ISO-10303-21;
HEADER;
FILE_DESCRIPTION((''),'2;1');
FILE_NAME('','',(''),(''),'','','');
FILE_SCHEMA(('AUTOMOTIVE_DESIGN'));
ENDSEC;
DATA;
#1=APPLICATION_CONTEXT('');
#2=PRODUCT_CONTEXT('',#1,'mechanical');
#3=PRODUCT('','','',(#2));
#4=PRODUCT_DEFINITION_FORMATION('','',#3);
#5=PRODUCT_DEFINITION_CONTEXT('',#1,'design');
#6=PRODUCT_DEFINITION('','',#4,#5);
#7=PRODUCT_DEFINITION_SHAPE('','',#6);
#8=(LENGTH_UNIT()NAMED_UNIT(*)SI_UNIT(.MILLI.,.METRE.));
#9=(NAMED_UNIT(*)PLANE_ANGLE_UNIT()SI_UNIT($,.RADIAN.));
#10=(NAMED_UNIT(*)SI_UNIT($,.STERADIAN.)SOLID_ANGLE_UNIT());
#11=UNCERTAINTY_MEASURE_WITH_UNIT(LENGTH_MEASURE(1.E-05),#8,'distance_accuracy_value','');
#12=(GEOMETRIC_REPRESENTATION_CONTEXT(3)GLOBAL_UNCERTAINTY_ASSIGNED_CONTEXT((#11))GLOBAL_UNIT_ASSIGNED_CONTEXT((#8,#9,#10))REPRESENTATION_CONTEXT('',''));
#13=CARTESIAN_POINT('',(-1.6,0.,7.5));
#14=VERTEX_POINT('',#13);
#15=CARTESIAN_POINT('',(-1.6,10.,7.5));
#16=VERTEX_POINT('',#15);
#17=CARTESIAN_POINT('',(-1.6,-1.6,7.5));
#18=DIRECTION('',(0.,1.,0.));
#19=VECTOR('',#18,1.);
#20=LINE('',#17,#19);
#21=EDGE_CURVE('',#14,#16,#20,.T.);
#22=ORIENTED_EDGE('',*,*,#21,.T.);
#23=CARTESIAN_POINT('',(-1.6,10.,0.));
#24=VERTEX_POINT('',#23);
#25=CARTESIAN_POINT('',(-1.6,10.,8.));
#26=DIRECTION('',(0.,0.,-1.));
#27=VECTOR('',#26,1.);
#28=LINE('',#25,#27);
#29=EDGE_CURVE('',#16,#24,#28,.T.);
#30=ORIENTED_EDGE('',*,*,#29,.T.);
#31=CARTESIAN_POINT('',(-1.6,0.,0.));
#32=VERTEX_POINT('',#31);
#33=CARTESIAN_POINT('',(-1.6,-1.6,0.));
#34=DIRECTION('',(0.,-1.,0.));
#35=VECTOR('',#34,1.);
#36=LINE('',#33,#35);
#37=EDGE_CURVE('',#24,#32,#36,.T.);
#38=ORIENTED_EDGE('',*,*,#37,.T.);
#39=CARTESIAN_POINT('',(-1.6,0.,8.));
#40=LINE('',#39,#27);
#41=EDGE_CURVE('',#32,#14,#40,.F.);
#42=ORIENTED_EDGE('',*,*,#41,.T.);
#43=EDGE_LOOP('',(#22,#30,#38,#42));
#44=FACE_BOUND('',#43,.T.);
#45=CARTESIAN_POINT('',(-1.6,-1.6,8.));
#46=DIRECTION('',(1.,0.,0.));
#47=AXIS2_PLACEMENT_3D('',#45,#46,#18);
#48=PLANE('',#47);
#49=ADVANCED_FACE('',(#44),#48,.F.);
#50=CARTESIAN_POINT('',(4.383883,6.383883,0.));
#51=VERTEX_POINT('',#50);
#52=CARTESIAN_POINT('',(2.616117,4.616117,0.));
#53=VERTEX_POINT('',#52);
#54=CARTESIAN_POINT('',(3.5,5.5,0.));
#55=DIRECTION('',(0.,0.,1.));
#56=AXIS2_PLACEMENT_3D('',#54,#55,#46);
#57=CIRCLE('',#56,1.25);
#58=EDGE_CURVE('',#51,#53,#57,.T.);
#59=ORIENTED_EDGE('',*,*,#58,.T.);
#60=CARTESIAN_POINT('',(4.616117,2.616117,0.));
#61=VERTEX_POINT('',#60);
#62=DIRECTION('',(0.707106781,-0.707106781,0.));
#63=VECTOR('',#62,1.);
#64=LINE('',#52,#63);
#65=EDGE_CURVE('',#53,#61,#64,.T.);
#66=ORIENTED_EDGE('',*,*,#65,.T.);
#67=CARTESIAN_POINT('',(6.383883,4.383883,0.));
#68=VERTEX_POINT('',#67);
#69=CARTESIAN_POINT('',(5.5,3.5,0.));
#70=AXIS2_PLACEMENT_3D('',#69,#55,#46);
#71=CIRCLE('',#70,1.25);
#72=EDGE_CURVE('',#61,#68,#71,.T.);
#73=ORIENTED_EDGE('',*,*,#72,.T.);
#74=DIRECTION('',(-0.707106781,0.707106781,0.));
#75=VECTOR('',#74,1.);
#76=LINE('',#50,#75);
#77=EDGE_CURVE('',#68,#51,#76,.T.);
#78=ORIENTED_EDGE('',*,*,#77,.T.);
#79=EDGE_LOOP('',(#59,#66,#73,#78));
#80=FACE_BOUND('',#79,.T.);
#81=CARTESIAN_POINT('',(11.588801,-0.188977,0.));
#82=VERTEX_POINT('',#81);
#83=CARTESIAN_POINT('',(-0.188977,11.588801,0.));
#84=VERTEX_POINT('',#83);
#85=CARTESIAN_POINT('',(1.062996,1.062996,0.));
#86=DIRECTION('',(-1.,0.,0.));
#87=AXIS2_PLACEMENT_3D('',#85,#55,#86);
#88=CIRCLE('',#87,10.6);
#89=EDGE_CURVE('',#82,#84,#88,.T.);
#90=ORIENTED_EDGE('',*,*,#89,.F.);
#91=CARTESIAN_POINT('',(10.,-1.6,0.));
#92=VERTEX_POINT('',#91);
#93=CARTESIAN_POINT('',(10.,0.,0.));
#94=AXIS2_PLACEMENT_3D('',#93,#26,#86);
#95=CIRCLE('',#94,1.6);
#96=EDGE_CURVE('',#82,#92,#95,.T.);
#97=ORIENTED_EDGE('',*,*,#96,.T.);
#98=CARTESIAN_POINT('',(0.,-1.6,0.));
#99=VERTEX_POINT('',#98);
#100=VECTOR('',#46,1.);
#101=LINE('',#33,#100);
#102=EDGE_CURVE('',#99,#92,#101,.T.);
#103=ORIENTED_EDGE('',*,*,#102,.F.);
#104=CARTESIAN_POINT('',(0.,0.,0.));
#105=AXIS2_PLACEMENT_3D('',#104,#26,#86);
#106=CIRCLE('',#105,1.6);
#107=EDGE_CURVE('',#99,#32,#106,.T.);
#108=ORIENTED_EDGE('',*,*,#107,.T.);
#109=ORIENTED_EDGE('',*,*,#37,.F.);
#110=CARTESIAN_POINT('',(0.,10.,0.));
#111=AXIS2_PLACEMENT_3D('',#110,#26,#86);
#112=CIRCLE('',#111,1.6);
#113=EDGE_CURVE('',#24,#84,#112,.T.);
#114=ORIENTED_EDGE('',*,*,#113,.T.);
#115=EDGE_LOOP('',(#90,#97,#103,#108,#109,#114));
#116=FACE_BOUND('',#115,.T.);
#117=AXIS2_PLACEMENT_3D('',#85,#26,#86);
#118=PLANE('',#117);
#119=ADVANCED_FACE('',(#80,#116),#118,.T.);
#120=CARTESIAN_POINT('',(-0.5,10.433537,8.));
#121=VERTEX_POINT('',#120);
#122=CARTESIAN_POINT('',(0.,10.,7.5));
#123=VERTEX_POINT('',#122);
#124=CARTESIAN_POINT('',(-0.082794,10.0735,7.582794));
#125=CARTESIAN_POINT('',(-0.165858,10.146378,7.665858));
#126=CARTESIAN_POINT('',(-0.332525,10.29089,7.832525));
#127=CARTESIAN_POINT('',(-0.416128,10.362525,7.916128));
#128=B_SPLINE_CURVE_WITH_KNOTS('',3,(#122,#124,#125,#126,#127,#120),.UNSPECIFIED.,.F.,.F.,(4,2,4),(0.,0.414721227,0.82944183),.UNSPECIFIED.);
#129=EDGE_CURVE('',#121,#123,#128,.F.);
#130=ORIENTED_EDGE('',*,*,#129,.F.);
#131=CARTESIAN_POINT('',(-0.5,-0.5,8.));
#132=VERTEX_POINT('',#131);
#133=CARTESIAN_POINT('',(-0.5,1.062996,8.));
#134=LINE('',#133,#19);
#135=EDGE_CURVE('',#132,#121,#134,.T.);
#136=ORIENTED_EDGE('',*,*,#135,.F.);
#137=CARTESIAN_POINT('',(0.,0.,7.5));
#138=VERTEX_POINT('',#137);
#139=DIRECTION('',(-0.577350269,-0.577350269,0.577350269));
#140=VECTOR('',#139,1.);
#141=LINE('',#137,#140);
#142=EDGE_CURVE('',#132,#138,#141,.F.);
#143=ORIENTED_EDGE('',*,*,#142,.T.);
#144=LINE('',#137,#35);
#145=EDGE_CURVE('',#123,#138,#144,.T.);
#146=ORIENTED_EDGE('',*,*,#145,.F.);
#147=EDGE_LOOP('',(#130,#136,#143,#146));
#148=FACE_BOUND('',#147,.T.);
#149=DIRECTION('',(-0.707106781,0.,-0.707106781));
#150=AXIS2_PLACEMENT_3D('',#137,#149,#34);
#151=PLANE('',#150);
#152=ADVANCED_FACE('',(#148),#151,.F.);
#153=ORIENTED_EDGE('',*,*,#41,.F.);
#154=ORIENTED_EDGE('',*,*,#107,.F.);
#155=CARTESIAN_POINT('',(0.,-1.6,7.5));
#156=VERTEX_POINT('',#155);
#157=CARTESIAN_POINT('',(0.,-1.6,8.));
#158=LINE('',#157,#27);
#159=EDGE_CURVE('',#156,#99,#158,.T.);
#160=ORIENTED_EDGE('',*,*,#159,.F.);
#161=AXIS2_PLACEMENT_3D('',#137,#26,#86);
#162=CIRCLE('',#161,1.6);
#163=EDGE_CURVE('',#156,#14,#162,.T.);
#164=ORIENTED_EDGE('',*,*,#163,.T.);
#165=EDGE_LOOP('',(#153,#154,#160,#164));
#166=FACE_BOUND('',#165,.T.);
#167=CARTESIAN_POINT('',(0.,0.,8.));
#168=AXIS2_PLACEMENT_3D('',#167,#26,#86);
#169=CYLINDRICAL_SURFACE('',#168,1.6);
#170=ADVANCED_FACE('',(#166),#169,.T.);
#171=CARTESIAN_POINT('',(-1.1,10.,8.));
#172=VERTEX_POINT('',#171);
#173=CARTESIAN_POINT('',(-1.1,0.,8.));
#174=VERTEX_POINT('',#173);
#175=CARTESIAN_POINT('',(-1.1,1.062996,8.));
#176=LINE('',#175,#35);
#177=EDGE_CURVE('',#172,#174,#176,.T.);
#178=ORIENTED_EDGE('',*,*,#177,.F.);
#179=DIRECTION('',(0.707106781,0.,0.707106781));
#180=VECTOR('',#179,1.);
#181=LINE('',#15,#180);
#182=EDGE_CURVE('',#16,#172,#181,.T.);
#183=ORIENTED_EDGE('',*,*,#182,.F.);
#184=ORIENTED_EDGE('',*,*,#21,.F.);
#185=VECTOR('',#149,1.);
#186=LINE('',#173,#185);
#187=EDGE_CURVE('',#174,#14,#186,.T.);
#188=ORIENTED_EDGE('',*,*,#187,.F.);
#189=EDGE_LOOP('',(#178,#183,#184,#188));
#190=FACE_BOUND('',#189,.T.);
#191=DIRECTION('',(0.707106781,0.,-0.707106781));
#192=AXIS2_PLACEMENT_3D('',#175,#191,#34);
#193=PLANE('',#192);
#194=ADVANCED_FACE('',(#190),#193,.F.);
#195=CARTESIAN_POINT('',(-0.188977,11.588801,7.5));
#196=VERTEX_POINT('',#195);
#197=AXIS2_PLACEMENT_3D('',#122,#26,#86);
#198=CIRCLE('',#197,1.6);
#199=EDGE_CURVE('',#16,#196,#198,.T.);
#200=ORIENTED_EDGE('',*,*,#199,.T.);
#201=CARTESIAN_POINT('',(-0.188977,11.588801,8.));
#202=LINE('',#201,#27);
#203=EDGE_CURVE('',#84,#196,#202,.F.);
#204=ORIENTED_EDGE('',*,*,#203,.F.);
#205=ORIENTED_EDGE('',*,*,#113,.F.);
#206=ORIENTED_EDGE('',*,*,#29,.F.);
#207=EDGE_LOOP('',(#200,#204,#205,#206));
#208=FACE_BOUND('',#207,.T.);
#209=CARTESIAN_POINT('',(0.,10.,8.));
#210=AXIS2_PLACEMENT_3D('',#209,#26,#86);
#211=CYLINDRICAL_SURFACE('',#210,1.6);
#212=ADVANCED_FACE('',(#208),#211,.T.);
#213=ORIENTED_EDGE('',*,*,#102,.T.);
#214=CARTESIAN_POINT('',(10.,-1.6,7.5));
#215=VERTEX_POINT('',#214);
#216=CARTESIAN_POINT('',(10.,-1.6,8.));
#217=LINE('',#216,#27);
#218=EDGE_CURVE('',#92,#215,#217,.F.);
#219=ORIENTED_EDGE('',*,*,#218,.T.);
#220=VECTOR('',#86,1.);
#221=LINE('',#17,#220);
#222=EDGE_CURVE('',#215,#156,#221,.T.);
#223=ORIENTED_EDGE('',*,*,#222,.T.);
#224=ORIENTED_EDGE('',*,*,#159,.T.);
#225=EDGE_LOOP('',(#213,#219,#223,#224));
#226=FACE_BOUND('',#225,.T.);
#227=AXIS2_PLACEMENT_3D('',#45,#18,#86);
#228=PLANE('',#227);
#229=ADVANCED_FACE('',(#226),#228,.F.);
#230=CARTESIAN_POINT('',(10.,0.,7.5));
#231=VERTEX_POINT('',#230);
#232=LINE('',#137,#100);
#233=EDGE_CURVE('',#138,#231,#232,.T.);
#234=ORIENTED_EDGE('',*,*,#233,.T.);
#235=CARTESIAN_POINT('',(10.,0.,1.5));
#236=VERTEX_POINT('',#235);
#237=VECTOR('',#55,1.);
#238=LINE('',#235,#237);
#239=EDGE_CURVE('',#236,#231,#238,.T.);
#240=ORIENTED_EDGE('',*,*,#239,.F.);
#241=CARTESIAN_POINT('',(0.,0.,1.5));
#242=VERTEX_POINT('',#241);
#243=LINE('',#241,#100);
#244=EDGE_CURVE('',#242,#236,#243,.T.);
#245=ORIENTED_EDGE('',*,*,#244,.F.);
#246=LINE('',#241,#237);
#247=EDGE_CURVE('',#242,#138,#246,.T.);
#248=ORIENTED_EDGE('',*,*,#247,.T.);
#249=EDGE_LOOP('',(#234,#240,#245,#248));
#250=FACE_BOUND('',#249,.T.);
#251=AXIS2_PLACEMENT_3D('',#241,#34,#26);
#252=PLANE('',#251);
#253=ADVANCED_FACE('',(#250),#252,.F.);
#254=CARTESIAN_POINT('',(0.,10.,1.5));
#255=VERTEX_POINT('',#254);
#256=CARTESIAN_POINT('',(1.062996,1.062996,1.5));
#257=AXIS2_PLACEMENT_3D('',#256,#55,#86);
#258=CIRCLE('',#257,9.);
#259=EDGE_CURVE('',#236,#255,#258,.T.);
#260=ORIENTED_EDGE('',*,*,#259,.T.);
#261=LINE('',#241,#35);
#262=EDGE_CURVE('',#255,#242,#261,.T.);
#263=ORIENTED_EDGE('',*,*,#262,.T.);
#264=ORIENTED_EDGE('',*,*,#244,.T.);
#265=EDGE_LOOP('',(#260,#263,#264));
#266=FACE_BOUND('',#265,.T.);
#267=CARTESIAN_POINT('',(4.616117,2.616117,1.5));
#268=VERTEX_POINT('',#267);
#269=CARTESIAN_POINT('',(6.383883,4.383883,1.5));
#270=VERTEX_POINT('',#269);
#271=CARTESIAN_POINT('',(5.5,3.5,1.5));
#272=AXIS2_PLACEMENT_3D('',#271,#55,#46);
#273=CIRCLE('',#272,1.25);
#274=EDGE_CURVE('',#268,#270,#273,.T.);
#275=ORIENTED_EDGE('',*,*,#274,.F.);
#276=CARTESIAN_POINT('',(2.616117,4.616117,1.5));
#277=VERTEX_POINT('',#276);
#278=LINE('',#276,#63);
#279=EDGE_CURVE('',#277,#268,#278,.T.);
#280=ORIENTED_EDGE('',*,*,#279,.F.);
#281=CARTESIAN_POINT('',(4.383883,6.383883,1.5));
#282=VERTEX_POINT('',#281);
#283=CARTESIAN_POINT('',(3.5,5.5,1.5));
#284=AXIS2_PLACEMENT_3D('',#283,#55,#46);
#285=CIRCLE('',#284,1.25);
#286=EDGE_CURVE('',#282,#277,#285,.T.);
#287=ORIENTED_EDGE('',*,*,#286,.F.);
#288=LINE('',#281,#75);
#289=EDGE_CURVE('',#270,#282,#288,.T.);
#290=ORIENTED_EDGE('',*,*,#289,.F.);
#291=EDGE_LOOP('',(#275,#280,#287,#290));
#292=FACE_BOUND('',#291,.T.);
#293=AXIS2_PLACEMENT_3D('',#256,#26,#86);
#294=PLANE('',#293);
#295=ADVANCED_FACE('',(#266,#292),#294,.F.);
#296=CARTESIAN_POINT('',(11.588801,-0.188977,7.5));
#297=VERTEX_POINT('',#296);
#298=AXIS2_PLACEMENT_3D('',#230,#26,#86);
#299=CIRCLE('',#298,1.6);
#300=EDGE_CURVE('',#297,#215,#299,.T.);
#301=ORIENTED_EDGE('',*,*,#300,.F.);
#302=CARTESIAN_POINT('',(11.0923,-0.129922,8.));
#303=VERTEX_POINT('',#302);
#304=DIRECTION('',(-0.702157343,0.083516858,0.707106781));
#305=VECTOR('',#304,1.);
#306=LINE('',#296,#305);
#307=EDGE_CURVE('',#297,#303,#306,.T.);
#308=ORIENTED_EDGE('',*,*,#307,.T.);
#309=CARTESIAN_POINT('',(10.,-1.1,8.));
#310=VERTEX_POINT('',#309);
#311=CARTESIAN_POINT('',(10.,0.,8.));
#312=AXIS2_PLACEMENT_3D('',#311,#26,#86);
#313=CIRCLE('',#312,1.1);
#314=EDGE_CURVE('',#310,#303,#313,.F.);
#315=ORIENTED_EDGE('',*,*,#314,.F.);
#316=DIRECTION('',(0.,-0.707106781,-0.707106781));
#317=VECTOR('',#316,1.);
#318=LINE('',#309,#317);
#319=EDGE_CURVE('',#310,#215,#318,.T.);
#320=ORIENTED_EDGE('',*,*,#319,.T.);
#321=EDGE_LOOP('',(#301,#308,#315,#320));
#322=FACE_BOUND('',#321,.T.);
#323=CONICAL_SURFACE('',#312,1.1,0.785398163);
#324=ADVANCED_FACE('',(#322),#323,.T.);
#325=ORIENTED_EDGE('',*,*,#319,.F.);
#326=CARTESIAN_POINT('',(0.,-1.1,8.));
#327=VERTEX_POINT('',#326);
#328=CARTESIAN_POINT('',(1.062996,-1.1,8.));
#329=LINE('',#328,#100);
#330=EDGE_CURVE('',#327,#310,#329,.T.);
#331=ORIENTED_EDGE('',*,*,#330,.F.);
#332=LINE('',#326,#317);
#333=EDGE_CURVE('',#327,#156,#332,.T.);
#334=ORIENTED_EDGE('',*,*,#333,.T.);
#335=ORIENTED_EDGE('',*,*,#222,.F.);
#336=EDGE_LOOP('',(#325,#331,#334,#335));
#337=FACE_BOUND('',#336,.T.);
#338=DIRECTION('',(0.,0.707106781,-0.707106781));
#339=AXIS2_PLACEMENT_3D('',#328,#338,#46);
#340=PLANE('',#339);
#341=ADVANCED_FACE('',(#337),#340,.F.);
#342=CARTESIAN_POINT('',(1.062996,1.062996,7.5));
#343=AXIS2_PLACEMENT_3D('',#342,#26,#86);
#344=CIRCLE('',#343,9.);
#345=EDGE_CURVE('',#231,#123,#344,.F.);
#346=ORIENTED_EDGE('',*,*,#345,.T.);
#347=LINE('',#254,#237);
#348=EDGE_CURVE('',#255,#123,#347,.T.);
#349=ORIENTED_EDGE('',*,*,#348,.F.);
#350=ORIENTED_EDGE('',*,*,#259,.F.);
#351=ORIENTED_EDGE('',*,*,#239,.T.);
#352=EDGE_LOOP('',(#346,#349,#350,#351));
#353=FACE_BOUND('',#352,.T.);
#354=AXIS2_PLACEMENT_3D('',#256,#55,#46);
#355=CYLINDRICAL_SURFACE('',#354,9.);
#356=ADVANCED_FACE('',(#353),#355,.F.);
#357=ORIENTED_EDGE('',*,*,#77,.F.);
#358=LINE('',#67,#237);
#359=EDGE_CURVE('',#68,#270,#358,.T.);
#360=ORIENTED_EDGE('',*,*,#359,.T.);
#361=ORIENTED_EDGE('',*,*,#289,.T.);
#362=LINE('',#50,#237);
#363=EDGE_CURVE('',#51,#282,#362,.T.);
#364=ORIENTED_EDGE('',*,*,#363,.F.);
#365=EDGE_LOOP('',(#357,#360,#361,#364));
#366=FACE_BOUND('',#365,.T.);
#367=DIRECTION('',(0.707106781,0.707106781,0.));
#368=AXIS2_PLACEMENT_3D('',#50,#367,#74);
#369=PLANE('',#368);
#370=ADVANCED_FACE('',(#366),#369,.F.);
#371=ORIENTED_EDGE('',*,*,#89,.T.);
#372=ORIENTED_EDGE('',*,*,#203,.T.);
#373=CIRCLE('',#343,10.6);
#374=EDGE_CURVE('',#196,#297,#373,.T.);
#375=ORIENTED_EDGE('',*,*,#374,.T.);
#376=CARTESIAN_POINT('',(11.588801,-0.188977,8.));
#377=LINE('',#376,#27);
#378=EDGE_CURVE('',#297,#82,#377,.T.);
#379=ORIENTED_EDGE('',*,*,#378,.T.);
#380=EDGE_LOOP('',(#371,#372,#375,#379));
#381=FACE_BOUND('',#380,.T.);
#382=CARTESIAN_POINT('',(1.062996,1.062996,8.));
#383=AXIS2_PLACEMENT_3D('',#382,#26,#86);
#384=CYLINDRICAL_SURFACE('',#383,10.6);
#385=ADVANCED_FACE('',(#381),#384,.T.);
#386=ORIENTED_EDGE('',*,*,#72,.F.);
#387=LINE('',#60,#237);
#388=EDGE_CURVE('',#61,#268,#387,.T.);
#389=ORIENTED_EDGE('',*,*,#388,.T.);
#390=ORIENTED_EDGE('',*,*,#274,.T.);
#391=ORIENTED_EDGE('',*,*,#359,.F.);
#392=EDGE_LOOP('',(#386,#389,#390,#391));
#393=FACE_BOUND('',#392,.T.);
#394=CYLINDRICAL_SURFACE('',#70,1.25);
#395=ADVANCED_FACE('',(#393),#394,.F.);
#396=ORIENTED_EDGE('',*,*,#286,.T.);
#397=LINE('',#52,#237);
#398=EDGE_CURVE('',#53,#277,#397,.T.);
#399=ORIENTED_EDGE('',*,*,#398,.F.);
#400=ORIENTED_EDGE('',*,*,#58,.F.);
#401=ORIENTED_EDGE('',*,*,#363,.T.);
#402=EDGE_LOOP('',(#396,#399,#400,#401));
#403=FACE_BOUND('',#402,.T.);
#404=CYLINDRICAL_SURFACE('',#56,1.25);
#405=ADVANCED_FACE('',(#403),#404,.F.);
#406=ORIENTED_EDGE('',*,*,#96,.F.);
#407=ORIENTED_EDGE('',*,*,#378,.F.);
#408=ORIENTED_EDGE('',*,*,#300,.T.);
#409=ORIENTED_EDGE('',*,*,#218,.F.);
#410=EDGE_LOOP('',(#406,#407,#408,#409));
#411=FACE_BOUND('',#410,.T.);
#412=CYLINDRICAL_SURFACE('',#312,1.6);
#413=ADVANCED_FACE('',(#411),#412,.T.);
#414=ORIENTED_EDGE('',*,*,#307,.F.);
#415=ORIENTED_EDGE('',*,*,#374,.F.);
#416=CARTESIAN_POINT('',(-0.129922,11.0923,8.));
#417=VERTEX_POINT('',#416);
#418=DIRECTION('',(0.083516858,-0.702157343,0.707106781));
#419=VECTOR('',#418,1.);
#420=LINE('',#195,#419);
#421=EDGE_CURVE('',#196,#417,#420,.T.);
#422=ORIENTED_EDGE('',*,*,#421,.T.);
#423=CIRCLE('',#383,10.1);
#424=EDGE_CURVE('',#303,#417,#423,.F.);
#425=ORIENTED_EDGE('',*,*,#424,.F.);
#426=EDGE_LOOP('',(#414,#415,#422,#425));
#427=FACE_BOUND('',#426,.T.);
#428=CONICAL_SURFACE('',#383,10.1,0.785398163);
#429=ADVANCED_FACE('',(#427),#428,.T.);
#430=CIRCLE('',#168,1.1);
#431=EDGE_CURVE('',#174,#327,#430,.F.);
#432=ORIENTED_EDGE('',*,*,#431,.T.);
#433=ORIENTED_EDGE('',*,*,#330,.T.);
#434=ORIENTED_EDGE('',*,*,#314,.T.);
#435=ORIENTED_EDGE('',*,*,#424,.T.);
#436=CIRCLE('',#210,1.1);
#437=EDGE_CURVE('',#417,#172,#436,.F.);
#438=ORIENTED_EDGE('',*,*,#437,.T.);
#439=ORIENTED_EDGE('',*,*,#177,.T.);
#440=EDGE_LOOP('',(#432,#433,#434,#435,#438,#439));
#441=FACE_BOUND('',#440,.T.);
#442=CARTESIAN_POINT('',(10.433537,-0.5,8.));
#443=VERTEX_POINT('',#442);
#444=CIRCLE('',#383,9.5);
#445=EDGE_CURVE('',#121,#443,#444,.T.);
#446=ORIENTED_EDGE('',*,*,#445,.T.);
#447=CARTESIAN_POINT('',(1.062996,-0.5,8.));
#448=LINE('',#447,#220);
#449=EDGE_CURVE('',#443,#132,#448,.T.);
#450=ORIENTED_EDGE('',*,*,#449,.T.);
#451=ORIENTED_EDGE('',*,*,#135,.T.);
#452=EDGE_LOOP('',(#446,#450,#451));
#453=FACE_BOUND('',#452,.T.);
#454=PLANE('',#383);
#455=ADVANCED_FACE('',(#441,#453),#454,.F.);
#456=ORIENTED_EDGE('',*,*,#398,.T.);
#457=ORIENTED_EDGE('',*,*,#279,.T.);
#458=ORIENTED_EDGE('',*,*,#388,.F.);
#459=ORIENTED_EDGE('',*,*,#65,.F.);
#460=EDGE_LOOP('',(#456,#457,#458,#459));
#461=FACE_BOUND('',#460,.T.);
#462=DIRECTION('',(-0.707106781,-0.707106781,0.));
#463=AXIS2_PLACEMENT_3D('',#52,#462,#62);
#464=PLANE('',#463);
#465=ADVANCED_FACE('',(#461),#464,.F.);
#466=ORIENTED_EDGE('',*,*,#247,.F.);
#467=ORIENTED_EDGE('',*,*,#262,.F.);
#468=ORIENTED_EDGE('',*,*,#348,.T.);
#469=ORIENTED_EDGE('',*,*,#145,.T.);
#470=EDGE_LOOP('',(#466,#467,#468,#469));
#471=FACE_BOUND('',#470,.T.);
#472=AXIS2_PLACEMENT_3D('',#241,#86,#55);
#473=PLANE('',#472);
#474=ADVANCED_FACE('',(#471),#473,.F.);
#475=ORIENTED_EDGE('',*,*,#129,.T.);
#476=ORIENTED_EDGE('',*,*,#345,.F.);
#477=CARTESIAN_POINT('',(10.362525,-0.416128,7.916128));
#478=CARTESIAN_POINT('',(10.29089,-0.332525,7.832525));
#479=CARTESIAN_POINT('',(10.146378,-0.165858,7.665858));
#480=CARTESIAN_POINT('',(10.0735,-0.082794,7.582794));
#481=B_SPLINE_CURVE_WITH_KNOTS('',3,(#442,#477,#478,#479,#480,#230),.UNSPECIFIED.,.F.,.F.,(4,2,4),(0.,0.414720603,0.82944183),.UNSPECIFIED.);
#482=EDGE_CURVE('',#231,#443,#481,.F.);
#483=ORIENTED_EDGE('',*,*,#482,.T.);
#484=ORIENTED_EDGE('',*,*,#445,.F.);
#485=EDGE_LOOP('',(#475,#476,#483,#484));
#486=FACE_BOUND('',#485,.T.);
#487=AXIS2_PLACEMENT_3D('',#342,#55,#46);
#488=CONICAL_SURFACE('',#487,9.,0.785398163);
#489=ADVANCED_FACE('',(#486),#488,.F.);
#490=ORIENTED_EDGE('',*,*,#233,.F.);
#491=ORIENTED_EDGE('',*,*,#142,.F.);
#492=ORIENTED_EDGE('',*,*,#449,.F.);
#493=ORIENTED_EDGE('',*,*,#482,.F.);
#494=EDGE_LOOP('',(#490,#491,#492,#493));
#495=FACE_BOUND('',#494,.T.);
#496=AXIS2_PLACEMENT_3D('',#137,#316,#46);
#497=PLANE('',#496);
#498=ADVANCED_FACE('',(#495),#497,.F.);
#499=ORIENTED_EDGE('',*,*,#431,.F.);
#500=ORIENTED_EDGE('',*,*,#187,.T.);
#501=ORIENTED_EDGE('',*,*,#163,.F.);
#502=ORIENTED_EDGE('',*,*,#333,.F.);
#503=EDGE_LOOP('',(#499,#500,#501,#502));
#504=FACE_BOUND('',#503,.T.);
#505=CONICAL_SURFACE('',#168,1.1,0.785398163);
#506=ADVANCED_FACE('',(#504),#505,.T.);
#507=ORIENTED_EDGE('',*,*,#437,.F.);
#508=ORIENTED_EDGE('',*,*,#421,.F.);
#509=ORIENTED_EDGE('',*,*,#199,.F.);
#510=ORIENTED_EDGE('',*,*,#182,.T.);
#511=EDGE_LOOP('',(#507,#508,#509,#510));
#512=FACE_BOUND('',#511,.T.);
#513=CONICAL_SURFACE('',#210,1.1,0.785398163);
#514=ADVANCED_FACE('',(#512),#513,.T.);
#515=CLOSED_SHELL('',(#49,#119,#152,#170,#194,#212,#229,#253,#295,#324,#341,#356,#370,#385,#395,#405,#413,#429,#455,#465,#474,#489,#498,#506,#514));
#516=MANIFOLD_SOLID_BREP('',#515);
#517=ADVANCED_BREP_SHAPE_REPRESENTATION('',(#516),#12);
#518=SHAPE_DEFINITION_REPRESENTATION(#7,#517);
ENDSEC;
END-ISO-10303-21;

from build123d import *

# Parameters (mm, degrees)
EXTRUDE_1_DEPTH     = 8
CUT_EXTRUDE_1_DEPTH = 6.5
CUT_EXTRUDE_2_DEPTH = 18.728535031
FILLET_1_R          = 1.6
CHAMFER_2_SIZE      = 0.5


with BuildPart() as part:
    # 草图1 → 凸台-拉伸1 (new body)
    with BuildSketch(Plane.XY):
        with BuildLine():
            Line((-1.6, -1.6), (11.323037582, -1.6))
            ThreePointArc((11.323037582, -1.6), (8.558327944, 8.558327944), (-1.6, 11.323037582))
            Line((-1.6, 11.323037582), (-1.6, -1.6))
        make_face()
    extrude(amount=EXTRUDE_1_DEPTH)

    # 草图2 → 切除-拉伸1 (cut)
    with BuildSketch(Plane.XY.offset(8)):
        with BuildLine():
            Line((0, 0), (10, 0))
            ThreePointArc((10, 0), (7.426957094, 7.426957094), (0, 10))
            Line((0, 10), (0, 0))
        make_face()
    extrude(amount=-CUT_EXTRUDE_1_DEPTH, mode=Mode.SUBTRACT)

    # 草图5 → 切除-拉伸2 (cut, through all)
    with BuildSketch(Plane.XY.offset(1.5)):
        with BuildLine():
            Line((2.616116524, 4.616116524), (4.616116524, 2.616116524))
            ThreePointArc((4.616116524, 2.616116524), (6.383883476, 2.616116524), (6.383883476, 4.383883476))
            Line((6.383883476, 4.383883476), (4.383883476, 6.383883476))
            ThreePointArc((4.383883476, 6.383883476), (2.616116524, 6.383883476), (2.616116524, 4.616116524))
        make_face()
    extrude(amount=-CUT_EXTRUDE_2_DEPTH, mode=Mode.SUBTRACT)

    # 圆角1
    fillet_1_edges = [part.edges().sort_by_distance(p)[0] for p in [
        (-1.6, 11.323037582, 4),
        (11.323037582, -1.6, 4),
        (-1.6, -1.6, 4),
    ]]
    fillet(fillet_1_edges, radius=FILLET_1_R)

    # 倒角2
    chamfer_2_edges = [part.edges().sort_by_distance(p)[0] for p in [
        (0, 5, 8),
        (5, 0, 8),
        (7.426957094, 7.426957094, 8),
        (-1.6, 5, 8),
        (8.558327944, 8.558327944, 8),
        (5, -1.6, 8),
        (11.062458629, -1.19632005, 8),
        (-1.13137085, -1.13137085, 8),
        (-1.19632005, 11.062458629, 8),
    ]]
    chamfer(chamfer_2_edges, length=CHAMFER_2_SIZE)


solid = part.part
